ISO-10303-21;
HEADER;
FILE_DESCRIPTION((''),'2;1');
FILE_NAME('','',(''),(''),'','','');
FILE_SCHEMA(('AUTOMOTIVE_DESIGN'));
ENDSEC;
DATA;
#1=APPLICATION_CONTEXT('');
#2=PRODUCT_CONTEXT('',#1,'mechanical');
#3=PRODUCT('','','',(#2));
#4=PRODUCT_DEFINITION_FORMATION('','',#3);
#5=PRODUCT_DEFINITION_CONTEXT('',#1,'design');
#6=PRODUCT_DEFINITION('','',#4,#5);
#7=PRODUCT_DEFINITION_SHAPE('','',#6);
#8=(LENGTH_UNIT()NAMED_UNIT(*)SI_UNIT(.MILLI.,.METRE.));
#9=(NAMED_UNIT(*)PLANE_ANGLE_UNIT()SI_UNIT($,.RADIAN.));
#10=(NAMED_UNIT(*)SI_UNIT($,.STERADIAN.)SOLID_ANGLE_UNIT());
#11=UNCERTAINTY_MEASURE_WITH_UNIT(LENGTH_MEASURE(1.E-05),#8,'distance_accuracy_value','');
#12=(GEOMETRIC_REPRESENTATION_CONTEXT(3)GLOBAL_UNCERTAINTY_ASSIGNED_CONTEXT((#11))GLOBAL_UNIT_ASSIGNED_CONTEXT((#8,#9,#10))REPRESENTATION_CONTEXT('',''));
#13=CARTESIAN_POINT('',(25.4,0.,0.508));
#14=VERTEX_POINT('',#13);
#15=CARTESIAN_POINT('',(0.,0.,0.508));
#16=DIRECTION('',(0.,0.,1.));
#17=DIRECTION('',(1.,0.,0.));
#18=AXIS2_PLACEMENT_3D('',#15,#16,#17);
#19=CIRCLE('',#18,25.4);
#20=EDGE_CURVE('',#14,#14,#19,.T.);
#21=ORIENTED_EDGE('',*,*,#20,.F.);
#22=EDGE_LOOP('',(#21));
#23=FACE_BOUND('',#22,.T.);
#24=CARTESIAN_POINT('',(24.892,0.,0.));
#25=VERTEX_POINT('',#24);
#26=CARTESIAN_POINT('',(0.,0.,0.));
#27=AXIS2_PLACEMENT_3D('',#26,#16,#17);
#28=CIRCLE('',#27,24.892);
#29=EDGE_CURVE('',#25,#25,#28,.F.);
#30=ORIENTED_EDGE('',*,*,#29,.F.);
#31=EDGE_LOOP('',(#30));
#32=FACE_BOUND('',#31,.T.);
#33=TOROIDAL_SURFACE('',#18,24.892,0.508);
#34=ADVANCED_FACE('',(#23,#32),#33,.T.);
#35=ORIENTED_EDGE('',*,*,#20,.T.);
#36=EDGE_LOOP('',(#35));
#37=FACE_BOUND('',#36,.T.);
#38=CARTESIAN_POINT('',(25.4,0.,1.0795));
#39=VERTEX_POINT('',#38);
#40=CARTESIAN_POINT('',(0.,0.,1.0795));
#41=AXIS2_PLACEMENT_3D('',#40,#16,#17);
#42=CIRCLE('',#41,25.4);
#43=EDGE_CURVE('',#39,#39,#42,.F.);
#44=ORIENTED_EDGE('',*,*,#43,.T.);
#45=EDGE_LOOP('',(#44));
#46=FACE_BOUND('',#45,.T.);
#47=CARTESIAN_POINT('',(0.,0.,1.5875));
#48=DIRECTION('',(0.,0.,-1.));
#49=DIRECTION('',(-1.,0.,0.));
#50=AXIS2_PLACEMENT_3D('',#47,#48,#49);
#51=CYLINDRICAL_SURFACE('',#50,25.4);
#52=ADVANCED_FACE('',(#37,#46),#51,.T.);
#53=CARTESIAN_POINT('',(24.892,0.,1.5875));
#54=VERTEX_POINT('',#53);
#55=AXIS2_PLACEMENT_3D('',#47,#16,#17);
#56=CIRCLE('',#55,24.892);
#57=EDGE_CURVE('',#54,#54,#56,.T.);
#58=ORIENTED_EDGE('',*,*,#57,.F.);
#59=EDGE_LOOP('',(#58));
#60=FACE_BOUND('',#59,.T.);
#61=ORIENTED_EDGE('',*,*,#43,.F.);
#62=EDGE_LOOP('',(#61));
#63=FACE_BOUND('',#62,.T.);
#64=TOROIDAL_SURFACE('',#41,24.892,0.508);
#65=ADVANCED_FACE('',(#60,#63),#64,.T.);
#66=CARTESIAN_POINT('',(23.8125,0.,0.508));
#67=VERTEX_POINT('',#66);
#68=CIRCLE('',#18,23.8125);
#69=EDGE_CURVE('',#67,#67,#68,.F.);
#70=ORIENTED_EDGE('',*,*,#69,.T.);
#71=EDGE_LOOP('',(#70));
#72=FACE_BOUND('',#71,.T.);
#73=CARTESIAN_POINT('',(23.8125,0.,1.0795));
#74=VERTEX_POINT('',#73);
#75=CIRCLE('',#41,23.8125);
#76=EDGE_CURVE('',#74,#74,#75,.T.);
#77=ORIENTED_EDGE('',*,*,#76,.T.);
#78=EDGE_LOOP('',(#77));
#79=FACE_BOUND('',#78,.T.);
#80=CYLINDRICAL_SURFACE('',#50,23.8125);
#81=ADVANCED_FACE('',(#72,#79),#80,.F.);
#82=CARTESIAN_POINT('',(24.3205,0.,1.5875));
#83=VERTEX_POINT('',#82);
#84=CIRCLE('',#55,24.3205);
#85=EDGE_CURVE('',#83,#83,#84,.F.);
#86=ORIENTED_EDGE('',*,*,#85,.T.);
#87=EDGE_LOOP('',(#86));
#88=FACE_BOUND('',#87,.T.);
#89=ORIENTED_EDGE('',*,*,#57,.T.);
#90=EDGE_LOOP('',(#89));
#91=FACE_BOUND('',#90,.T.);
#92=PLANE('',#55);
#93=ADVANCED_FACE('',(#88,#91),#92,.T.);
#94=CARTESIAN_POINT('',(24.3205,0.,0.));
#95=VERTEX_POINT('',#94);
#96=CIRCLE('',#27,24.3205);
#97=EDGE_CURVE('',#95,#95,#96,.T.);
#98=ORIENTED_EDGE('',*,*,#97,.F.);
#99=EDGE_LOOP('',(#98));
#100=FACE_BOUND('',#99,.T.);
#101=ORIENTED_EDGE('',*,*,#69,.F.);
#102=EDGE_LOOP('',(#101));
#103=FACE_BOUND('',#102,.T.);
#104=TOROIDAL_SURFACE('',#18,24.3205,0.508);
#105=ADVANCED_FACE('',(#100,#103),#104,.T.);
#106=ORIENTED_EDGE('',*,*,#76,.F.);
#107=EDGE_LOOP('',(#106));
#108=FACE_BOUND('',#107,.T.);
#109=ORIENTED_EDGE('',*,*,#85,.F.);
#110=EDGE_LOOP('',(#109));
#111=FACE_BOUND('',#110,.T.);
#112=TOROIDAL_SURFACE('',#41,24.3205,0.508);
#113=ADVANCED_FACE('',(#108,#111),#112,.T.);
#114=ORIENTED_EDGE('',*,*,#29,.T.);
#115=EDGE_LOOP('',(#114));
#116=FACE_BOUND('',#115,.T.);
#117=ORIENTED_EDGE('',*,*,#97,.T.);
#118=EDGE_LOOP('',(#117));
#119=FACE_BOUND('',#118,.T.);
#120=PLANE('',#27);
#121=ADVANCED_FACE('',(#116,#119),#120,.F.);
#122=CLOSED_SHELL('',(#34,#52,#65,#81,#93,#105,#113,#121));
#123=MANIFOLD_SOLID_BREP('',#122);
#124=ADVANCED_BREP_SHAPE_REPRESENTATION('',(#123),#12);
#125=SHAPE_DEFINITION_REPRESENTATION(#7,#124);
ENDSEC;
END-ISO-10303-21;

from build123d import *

# Parameters (mm, degrees)
SKETCH1_R           = 25.4
SKETCH1_R_2         = 23.8125
BOSS_EXTRUDE1_DEPTH = 1.5875
FILLET1_R           = 0.508


with BuildPart() as part:
    # Sketch1 → Boss-Extrude1 (new body)
    with BuildSketch(Plane.XY):
        Circle(SKETCH1_R)
        Circle(SKETCH1_R_2, mode=Mode.SUBTRACT)
    extrude(amount=BOSS_EXTRUDE1_DEPTH)

    # Fillet1
    fillet1_edges = [part.edges().sort_by_distance(p)[0] for p in [
        (-25.4, 0, 0),
        (-25.4, 0, 1.5875),
        (-23.8125, 0, 0),
        (-23.8125, 0, 1.5875),
    ]]
    fillet(fillet1_edges, radius=FILLET1_R)


solid = part.part
